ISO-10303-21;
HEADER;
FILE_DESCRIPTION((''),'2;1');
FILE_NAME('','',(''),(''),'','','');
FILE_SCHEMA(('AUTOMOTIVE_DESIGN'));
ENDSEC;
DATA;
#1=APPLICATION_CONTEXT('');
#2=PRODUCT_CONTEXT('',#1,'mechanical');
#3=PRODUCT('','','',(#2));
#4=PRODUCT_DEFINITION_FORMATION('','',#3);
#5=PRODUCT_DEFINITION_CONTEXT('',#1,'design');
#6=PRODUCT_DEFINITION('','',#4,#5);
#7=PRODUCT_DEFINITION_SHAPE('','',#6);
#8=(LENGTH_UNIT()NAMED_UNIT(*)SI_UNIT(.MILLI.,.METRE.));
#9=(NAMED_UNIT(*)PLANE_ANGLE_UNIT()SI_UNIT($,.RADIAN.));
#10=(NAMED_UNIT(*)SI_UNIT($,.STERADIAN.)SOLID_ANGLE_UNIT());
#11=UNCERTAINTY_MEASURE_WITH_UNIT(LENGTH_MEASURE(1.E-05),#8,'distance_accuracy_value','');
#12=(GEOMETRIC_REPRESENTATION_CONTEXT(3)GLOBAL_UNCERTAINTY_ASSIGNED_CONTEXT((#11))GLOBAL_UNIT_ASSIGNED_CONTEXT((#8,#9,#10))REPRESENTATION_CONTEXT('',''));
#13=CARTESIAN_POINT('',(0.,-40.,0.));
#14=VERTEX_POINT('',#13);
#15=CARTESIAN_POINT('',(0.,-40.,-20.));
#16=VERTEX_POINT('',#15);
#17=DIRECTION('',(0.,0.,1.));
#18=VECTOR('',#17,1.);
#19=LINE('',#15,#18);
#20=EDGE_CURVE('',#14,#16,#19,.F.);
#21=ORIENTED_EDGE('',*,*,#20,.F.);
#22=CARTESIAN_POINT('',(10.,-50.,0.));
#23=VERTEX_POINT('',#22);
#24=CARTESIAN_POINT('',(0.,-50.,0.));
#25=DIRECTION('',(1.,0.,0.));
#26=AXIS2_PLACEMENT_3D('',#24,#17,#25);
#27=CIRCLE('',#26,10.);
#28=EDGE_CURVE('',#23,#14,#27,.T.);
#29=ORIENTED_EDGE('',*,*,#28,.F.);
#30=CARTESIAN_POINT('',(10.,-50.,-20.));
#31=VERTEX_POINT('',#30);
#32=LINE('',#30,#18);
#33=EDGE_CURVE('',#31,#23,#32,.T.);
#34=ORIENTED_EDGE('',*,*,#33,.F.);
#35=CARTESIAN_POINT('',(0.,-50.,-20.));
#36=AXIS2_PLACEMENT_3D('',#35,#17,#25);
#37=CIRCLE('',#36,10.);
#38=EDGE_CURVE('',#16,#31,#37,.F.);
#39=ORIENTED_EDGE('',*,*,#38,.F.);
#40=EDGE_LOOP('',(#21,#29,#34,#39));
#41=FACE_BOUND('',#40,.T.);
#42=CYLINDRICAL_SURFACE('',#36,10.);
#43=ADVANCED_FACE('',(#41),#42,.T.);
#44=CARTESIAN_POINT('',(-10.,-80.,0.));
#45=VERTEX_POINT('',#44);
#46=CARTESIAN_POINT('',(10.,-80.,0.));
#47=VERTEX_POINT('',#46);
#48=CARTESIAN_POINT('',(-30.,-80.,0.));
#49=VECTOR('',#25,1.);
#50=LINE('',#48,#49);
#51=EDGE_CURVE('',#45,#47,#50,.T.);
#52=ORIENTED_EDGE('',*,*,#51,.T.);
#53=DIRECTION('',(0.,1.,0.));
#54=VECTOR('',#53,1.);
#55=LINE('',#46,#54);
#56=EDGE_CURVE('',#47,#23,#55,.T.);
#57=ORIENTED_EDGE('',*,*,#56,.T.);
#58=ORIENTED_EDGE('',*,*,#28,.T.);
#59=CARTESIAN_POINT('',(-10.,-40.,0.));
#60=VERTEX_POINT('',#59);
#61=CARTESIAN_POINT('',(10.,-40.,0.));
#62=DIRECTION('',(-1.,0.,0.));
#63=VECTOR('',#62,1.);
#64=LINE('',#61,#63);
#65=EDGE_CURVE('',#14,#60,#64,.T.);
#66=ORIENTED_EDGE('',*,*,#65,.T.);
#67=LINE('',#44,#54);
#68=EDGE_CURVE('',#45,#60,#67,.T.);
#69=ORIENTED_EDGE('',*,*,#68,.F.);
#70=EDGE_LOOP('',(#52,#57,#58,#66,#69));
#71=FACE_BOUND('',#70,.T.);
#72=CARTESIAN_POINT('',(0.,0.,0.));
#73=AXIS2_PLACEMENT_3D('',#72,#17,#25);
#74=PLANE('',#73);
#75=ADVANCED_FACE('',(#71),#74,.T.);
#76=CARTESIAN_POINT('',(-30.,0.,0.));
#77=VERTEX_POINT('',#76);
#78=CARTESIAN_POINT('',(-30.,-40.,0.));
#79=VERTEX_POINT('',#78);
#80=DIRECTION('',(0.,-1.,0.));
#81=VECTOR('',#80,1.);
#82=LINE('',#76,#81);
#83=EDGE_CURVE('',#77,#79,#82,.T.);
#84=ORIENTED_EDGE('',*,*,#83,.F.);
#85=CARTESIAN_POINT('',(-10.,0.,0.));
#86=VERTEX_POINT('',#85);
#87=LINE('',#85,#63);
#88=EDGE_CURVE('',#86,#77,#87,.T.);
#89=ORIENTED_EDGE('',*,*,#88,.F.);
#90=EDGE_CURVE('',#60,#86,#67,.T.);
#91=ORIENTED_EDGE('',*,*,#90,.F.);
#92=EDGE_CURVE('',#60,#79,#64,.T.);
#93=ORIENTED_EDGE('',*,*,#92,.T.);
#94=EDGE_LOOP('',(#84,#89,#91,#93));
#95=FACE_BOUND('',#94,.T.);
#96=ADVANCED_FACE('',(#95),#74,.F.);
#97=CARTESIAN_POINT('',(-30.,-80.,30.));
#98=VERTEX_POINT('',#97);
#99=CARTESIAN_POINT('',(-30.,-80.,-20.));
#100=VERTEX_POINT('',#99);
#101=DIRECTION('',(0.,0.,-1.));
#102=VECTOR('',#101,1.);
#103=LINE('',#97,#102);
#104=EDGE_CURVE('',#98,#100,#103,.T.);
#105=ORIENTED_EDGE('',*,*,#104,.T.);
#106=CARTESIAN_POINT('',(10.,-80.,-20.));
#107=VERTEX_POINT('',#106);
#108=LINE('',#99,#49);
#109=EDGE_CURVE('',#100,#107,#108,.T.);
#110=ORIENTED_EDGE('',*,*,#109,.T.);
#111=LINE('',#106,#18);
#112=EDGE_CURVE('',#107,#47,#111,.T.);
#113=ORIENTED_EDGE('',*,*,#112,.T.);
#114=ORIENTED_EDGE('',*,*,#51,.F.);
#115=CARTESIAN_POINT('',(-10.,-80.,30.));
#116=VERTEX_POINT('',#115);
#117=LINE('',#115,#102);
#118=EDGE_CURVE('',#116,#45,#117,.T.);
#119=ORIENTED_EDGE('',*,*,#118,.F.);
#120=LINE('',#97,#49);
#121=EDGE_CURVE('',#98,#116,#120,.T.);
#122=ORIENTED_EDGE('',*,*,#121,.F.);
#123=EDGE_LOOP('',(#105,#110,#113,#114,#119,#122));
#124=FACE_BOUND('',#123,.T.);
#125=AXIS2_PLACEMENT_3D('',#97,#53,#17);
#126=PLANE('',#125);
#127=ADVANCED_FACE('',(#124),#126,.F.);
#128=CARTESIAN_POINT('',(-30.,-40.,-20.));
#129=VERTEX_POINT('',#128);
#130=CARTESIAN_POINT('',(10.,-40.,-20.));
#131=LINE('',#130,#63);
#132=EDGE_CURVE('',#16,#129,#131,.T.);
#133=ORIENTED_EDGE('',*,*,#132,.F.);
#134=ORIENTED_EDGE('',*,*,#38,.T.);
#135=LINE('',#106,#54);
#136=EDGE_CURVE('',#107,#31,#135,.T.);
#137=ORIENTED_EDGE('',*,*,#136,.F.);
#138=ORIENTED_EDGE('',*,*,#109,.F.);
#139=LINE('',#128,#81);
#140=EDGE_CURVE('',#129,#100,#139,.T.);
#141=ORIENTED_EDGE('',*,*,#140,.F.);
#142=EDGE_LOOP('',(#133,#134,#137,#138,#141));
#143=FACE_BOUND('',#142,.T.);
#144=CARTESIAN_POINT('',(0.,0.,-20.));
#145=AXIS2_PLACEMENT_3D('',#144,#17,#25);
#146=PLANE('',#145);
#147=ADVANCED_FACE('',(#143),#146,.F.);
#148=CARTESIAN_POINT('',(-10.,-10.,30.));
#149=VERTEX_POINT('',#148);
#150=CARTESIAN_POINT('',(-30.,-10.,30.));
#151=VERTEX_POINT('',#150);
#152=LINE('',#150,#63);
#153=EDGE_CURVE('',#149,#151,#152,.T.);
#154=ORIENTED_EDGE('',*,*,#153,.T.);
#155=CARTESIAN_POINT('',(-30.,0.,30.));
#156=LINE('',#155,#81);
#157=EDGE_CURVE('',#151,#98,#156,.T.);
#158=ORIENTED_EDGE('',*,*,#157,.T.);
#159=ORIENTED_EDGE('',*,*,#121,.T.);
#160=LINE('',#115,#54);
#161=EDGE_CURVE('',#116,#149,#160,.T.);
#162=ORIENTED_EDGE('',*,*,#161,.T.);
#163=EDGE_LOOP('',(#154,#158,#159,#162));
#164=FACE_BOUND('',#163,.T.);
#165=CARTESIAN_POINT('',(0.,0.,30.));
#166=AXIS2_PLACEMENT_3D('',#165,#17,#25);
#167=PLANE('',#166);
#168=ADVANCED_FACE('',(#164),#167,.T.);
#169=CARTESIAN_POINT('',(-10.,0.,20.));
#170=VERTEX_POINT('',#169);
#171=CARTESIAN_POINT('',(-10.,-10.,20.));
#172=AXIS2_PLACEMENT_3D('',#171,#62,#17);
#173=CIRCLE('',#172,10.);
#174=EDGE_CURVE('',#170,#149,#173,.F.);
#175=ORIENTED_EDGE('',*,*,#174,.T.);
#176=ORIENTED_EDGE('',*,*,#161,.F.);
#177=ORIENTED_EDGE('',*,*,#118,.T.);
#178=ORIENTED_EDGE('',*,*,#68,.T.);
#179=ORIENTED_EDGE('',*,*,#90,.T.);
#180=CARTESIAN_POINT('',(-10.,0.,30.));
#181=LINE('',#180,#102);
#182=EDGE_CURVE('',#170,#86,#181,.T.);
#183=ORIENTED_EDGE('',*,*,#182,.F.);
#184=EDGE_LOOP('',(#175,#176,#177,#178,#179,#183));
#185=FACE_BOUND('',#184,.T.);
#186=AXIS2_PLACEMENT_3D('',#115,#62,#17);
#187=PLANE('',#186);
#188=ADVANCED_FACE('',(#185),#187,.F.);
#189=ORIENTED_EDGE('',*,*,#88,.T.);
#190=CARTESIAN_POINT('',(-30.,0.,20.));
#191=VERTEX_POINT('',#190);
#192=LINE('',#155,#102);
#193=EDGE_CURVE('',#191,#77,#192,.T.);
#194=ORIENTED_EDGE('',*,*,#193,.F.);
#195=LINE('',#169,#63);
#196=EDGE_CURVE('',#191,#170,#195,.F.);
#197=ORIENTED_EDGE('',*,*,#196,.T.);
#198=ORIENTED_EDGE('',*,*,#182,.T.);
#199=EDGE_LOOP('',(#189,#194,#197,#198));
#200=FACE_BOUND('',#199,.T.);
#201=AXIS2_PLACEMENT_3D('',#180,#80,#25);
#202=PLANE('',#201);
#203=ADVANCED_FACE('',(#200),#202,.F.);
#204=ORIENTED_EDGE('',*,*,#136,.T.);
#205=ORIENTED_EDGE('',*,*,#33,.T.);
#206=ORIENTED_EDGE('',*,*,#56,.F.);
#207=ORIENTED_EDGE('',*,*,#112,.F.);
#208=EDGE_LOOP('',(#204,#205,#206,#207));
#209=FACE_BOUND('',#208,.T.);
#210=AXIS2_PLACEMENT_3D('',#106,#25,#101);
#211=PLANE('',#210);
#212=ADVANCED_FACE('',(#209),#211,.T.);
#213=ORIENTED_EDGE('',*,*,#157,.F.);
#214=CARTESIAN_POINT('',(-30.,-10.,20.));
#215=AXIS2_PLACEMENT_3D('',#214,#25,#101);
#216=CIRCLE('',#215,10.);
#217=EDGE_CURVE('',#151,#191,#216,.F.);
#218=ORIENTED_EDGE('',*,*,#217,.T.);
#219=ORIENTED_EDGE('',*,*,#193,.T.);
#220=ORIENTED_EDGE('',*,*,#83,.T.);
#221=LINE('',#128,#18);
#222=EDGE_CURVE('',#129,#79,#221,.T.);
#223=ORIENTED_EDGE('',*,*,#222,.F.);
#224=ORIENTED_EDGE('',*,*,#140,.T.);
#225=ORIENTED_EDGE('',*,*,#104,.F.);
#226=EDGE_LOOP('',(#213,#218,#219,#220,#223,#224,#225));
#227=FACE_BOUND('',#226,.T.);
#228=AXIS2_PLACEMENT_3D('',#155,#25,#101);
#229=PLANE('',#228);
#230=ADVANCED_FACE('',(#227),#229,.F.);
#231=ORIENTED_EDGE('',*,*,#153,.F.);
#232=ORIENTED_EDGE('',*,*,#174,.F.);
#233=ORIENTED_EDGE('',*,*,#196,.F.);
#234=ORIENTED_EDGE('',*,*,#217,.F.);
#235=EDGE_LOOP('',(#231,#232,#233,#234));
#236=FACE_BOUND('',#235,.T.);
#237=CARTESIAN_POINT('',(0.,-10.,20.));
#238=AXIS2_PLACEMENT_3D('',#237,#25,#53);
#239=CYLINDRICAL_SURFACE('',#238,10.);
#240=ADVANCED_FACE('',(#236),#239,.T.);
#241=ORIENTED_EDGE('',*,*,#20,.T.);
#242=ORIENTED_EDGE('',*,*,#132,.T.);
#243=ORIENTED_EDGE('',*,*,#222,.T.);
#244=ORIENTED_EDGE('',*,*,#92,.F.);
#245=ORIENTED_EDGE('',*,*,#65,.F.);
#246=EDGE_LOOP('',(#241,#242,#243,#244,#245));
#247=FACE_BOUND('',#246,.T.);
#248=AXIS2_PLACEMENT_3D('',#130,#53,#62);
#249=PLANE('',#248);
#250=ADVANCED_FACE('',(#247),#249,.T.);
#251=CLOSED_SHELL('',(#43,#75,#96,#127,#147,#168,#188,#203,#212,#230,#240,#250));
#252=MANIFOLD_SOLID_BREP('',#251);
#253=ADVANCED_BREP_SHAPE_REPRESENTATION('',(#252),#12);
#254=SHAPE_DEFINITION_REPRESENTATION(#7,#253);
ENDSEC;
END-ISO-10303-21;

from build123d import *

# Parameters (mm, degrees)
SKETCH1_W           = 20
SKETCH1_H           = 80
BOSS_EXTRUDE1_DEPTH = 30
SKETCH2_W           = 40
SKETCH2_H           = 40
BOSS_EXTRUDE2_DEPTH = 20
FILLET1_R           = 10


with BuildPart() as part:
    # Sketch1 → Boss-Extrude1 (new body)
    with BuildSketch(Plane.XY):
        with Locations((-20, -40)):
            Rectangle(SKETCH1_W, SKETCH1_H)
    extrude(amount=BOSS_EXTRUDE1_DEPTH)

    # Sketch2 → Boss-Extrude2 (add)
    with BuildSketch(Plane.XY):
        with Locations((-10, -60)):
            Rectangle(SKETCH2_W, SKETCH2_H)
    extrude(amount=-BOSS_EXTRUDE2_DEPTH)

    # Fillet1
    fillet1_edges = [part.edges().sort_by_distance(p)[0] for p in [
        (10, -40, -10),
        (-20, 0, 30),
    ]]
    fillet(fillet1_edges, radius=FILLET1_R)


solid = part.part
